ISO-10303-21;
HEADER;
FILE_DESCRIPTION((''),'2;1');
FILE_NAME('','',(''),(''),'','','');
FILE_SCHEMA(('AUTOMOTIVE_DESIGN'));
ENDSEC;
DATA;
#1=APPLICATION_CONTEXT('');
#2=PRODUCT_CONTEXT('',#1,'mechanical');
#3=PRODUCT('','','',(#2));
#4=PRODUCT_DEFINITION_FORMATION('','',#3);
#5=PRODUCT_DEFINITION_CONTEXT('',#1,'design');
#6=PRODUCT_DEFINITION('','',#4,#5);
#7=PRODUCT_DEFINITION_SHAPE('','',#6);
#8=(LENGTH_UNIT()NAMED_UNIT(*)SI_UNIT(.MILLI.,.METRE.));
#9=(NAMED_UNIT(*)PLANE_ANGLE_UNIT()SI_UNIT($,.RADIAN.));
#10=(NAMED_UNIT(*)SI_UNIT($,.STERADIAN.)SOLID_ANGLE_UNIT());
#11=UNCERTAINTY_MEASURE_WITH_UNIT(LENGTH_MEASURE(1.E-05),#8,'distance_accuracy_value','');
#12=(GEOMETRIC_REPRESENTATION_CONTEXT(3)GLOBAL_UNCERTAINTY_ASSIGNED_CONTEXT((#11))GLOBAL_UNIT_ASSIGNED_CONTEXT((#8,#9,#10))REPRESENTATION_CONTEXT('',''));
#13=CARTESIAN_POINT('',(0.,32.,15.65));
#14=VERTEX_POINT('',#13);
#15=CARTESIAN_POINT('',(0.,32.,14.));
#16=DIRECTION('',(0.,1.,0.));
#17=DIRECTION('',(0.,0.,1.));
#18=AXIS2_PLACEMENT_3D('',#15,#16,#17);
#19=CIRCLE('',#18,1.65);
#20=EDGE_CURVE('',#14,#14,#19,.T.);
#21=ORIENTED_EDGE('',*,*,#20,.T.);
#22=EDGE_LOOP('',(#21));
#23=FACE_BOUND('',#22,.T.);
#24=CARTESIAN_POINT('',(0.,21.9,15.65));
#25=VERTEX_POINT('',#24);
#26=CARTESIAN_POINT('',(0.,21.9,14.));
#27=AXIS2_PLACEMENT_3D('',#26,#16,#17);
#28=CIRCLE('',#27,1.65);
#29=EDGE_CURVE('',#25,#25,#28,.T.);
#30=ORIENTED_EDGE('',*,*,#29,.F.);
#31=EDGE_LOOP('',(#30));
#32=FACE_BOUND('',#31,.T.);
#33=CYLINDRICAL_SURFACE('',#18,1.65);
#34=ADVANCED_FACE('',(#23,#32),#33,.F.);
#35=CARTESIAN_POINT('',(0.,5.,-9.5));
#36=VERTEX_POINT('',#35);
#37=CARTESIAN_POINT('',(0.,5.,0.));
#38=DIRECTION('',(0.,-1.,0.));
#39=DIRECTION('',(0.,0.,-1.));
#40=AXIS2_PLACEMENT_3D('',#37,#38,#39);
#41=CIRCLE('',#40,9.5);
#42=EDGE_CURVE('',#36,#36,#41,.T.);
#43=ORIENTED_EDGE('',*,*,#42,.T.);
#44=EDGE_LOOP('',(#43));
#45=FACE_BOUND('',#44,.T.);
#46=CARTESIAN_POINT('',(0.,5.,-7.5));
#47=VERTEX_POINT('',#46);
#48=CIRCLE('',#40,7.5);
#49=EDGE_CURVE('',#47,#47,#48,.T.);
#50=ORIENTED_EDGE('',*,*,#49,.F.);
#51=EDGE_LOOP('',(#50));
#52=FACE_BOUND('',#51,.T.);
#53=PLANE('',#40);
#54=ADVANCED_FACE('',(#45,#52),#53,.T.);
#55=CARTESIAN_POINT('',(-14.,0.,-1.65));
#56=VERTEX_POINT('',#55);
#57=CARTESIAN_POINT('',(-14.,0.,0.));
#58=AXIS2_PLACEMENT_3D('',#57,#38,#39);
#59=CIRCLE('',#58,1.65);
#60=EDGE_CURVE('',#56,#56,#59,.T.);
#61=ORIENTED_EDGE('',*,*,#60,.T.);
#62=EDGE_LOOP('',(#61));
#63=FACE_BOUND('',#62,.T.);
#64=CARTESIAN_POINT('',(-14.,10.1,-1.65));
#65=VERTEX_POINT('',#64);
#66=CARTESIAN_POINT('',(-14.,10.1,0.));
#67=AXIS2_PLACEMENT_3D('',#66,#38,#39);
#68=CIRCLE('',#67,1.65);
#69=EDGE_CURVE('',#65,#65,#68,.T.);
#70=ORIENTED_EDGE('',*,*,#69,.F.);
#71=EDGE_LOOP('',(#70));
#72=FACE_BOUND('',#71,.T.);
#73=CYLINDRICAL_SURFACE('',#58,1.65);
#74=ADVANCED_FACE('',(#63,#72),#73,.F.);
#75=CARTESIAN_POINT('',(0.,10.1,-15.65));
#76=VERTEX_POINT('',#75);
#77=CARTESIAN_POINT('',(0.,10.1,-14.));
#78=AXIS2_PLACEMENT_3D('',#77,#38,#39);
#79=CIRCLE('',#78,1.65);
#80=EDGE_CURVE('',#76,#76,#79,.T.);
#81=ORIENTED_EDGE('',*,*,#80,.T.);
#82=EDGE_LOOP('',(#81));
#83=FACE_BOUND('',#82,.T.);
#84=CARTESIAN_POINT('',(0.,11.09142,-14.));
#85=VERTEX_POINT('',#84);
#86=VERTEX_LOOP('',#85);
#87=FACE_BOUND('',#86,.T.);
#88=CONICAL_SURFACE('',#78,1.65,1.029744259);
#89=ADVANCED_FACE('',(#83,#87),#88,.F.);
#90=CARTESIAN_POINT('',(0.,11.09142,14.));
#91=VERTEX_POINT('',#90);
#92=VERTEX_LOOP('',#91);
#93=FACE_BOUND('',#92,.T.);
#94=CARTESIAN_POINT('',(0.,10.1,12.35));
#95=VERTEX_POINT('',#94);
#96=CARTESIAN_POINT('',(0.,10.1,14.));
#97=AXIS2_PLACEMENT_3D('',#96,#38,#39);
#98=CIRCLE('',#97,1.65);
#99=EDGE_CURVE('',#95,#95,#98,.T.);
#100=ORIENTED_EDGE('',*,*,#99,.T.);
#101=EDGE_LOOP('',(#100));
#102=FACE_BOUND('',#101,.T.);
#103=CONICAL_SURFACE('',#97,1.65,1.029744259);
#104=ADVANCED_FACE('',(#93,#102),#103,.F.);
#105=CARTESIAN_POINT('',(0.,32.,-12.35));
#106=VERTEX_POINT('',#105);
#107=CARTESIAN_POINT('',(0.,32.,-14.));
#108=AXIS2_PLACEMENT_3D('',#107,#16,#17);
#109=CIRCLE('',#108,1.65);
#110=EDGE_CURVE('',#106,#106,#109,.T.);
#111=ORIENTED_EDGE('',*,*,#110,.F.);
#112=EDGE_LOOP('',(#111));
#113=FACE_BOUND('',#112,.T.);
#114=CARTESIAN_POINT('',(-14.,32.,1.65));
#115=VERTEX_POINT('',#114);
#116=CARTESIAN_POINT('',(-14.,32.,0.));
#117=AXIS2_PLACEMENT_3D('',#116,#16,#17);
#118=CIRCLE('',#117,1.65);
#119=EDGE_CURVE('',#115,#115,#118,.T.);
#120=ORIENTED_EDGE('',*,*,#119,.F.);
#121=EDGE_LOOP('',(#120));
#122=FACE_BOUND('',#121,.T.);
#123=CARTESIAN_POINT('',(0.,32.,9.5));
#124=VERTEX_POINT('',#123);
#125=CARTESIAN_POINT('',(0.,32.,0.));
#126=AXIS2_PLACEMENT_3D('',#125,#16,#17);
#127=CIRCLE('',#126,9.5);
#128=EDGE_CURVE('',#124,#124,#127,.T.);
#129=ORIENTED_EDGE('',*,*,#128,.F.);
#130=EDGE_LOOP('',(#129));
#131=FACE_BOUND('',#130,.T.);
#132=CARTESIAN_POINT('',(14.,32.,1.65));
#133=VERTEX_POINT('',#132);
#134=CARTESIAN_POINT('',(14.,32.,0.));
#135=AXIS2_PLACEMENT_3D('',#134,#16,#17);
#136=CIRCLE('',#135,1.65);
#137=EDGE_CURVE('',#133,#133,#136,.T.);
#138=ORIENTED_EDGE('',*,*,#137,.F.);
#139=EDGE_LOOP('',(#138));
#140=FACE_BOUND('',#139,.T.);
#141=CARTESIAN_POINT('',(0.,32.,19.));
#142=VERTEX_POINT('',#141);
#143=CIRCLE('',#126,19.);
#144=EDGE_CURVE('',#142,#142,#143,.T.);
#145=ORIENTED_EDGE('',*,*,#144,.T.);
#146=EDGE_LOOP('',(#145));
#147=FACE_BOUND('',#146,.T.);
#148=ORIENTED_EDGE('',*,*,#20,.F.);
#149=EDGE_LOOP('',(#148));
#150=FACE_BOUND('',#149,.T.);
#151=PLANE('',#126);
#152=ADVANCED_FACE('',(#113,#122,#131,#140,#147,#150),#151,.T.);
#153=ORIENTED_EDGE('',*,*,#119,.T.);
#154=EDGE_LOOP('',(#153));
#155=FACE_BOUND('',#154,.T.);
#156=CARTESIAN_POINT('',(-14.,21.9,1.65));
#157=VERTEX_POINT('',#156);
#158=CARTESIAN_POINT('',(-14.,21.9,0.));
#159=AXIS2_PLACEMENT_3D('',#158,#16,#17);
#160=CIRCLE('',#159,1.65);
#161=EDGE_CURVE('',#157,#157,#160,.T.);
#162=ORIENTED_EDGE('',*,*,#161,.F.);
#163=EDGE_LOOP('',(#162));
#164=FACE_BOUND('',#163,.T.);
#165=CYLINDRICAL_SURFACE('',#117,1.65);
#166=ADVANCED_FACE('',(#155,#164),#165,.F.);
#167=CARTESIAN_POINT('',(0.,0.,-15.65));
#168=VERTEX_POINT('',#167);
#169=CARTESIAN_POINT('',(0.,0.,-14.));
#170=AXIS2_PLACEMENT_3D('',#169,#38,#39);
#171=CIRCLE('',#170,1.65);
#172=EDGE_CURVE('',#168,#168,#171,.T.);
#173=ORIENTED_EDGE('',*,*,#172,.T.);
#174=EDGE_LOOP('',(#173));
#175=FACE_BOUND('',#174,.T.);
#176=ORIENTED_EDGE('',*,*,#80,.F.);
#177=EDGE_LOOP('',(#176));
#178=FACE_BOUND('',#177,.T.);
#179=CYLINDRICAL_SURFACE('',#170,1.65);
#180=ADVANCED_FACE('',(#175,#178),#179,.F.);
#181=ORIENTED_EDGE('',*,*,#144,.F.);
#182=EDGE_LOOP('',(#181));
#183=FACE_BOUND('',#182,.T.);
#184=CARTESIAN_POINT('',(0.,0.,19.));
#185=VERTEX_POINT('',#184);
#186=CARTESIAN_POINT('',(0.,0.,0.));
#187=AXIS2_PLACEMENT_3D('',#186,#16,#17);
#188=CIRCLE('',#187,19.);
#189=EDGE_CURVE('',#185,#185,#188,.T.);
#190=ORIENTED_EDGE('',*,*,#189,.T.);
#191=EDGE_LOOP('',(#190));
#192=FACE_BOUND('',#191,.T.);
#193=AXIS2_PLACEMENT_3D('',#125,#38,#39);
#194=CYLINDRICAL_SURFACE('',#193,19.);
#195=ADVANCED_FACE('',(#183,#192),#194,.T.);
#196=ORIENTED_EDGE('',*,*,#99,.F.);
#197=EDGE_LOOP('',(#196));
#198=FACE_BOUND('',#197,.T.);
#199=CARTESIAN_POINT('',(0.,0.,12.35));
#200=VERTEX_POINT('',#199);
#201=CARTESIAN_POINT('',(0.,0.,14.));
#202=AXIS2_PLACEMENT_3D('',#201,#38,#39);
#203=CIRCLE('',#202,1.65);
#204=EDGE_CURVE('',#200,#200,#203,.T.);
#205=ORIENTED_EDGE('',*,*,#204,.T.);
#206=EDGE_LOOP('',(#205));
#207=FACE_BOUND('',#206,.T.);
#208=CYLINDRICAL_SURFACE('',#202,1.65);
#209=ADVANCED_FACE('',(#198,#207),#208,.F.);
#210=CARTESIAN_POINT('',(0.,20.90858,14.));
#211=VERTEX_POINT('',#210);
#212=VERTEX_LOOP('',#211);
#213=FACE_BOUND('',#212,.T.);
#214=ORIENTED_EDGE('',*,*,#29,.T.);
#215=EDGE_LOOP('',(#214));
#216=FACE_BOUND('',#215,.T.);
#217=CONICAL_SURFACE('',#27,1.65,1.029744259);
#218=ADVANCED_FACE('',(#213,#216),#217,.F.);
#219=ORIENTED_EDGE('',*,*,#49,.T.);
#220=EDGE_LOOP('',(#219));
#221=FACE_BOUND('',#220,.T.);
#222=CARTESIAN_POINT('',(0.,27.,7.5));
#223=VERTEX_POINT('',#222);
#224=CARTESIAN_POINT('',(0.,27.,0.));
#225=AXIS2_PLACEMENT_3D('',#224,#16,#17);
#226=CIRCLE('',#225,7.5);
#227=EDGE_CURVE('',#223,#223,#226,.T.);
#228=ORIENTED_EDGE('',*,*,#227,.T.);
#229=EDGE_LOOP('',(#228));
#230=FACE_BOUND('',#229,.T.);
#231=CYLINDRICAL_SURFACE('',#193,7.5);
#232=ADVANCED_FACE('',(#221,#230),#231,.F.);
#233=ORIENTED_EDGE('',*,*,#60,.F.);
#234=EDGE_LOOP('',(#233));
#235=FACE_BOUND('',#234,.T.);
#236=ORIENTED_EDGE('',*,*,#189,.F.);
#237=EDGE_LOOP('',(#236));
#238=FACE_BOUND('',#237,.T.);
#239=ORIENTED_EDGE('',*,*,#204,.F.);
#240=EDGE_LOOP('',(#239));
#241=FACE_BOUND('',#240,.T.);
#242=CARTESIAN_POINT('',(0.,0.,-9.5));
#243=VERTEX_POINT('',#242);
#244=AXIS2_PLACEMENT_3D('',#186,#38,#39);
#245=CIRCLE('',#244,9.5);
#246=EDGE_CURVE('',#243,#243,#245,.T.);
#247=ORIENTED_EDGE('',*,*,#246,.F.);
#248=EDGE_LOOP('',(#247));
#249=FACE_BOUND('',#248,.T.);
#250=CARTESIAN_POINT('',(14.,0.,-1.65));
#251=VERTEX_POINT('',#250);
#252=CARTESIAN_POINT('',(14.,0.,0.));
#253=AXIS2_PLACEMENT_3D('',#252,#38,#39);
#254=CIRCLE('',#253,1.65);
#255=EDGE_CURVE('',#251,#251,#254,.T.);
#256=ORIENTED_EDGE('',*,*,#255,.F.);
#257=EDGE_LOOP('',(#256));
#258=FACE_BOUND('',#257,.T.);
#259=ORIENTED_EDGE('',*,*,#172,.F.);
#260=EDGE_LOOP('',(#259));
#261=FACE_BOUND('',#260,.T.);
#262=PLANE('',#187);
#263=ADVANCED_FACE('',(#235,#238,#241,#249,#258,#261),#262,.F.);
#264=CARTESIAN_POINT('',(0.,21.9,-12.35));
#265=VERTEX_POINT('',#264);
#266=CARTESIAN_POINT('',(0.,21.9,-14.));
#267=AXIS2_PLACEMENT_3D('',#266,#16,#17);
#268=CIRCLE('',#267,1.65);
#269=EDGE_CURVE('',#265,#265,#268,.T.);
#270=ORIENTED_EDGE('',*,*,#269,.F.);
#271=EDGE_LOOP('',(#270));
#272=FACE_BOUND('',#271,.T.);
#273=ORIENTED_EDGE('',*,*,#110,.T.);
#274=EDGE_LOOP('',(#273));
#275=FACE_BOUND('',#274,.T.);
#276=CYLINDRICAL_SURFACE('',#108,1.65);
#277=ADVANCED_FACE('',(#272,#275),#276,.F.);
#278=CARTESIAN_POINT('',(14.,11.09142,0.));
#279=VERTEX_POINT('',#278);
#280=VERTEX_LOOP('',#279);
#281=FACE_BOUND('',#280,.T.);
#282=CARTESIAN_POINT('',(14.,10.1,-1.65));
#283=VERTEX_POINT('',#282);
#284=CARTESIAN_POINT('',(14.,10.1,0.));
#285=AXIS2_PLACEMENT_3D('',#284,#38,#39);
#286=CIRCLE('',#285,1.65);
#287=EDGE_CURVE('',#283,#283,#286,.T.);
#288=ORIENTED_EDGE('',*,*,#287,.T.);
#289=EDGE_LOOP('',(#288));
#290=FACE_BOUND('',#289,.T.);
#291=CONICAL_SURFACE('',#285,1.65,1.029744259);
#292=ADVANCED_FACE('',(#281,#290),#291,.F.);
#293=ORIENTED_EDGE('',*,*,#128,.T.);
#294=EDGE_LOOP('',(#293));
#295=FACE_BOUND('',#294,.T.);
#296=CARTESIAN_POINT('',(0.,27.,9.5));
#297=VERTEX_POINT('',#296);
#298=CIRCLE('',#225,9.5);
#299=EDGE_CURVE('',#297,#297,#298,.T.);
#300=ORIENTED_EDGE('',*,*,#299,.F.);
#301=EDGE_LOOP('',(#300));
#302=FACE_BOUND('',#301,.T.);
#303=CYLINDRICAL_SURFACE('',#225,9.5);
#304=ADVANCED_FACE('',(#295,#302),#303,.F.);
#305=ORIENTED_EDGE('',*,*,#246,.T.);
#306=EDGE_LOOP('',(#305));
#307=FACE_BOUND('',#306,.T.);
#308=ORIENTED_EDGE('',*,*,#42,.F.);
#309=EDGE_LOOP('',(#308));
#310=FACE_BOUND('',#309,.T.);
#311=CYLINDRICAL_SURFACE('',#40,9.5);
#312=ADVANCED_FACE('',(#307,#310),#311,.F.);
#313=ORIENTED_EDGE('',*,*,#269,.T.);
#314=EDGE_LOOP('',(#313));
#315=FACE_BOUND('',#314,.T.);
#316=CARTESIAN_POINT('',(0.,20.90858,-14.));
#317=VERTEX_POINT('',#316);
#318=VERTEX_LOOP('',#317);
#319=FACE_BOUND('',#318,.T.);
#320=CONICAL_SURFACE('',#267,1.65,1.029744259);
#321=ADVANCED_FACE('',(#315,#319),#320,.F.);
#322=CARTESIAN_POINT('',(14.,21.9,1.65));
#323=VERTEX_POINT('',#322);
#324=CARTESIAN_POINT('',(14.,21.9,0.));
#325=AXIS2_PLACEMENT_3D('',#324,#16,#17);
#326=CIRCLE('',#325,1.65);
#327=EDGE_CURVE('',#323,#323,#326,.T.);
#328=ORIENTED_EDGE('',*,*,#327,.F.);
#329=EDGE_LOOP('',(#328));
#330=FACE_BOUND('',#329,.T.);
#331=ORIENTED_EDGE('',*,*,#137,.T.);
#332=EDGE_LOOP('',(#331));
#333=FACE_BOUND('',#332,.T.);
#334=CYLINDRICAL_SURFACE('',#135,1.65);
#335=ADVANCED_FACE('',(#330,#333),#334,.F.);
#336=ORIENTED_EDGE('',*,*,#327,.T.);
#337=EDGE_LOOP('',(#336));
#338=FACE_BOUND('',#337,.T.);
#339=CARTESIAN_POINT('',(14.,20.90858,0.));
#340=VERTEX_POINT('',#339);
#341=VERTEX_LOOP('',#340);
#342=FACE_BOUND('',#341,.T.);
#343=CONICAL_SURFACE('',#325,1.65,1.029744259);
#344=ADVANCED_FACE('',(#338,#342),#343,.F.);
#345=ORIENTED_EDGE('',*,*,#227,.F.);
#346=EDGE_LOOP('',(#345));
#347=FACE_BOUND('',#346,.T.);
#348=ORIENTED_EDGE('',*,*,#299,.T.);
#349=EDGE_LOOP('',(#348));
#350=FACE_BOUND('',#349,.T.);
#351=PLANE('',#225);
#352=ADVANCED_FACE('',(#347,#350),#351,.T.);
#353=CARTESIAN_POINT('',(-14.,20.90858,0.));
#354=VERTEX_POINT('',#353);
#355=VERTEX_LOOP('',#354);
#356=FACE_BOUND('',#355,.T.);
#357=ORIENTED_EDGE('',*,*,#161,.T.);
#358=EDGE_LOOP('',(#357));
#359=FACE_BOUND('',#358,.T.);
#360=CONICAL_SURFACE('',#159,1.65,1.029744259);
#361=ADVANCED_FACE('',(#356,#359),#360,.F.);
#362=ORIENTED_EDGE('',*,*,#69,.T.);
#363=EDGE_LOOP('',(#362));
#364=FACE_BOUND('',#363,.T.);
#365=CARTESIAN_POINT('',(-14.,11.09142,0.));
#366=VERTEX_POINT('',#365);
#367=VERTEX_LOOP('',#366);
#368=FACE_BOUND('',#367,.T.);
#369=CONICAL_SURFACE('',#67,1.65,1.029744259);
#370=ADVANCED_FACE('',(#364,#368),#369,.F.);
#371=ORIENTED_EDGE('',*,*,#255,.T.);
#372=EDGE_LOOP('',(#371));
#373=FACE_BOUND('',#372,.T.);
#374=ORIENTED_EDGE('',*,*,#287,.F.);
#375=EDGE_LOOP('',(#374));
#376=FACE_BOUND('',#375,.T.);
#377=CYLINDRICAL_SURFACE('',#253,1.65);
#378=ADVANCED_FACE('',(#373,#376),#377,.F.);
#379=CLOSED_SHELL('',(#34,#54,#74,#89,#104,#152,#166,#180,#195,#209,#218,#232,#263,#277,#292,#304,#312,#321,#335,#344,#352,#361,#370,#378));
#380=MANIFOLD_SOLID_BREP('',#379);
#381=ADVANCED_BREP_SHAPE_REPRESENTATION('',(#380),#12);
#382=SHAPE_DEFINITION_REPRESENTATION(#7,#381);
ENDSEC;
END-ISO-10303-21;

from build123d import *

# Parameters (mm, degrees)
SKETCH_1_R             = 19
SKETCH_1_R_2           = 7.5
EXTRUDE_1_DEPTH        = 32
SKETCH_2_R             = 9.5
CUT_EXTRUDE_1_DEPTH    = 5
CUT_EXTRUDE_START      = -5
SKETCH_3_R             = 9.5
CUT_EXTRUDE_2_DEPTH    = 5
HOLE_WIZARD_M4_1_D     = 3.3
HOLE_WIZARD_M4_1_DEPTH = 10.1
HOLE_WIZARD_M4_1_TIP   = 0.991420021
HOLE_WIZARD_M4_2_D     = 3.3
HOLE_WIZARD_M4_2_DEPTH = 10.1
HOLE_WIZARD_M4_2_TIP   = 0.991420021


with BuildPart() as part:
    # 草图1 → 凸台-拉伸1 (new body)
    with BuildSketch(Plane(origin=(0, 0, 0), x_dir=(1, 0, 0), z_dir=(0, 1, 0))):
        with Locations(Location((0, 0, 0), (0, 0, 270))):
            Circle(SKETCH_1_R)
        with Locations(Location((0, 0, 0), (0, 0, 270))):
            Circle(SKETCH_1_R_2, mode=Mode.SUBTRACT)
    extrude(amount=EXTRUDE_1_DEPTH)

    # 草图2 → 切除-拉伸1 (cut)
    with BuildSketch(Plane(origin=(0, 32, 0), x_dir=(1, 0, 0), z_dir=(0, 1, 0))):
        with Locations(Location((0, 0, 0), (0, 0, 270))):
            Circle(SKETCH_2_R)
    extrude(amount=-CUT_EXTRUDE_1_DEPTH, mode=Mode.SUBTRACT)

    # 草图3 → 切除-拉伸2 (cut)
    with BuildSketch(Plane.XZ.offset(CUT_EXTRUDE_START)):
        with Locations(Location((0, 0, 0), (0, 0, 90))):
            Circle(SKETCH_3_R)
    extrude(amount=CUT_EXTRUDE_2_DEPTH, mode=Mode.SUBTRACT)

    # M4 螺纹孔1
    with Locations(Plane.XZ):
        with Locations((0, -14), (-14, 0), (0, 14), (14, 0)):
            Hole(HOLE_WIZARD_M4_1_D / 2, depth=HOLE_WIZARD_M4_1_DEPTH)
            with Locations((0, 0, -(HOLE_WIZARD_M4_1_DEPTH + HOLE_WIZARD_M4_1_TIP / 2))):  # 118° drill point
                Cone(0, HOLE_WIZARD_M4_1_D / 2, HOLE_WIZARD_M4_1_TIP, mode=Mode.SUBTRACT)

    # M4 螺纹孔2
    with Locations(Plane(origin=(0, 32, 0), x_dir=(-1, 0, 0), z_dir=(0, 1, 0))):
        with Locations((-14, 0), (0, 14), (14, 0), (0, -14)):
            Hole(HOLE_WIZARD_M4_2_D / 2, depth=HOLE_WIZARD_M4_2_DEPTH)
            with Locations((0, 0, -(HOLE_WIZARD_M4_2_DEPTH + HOLE_WIZARD_M4_2_TIP / 2))):  # 118° drill point
                Cone(0, HOLE_WIZARD_M4_2_D / 2, HOLE_WIZARD_M4_2_TIP, mode=Mode.SUBTRACT)


solid = part.part
